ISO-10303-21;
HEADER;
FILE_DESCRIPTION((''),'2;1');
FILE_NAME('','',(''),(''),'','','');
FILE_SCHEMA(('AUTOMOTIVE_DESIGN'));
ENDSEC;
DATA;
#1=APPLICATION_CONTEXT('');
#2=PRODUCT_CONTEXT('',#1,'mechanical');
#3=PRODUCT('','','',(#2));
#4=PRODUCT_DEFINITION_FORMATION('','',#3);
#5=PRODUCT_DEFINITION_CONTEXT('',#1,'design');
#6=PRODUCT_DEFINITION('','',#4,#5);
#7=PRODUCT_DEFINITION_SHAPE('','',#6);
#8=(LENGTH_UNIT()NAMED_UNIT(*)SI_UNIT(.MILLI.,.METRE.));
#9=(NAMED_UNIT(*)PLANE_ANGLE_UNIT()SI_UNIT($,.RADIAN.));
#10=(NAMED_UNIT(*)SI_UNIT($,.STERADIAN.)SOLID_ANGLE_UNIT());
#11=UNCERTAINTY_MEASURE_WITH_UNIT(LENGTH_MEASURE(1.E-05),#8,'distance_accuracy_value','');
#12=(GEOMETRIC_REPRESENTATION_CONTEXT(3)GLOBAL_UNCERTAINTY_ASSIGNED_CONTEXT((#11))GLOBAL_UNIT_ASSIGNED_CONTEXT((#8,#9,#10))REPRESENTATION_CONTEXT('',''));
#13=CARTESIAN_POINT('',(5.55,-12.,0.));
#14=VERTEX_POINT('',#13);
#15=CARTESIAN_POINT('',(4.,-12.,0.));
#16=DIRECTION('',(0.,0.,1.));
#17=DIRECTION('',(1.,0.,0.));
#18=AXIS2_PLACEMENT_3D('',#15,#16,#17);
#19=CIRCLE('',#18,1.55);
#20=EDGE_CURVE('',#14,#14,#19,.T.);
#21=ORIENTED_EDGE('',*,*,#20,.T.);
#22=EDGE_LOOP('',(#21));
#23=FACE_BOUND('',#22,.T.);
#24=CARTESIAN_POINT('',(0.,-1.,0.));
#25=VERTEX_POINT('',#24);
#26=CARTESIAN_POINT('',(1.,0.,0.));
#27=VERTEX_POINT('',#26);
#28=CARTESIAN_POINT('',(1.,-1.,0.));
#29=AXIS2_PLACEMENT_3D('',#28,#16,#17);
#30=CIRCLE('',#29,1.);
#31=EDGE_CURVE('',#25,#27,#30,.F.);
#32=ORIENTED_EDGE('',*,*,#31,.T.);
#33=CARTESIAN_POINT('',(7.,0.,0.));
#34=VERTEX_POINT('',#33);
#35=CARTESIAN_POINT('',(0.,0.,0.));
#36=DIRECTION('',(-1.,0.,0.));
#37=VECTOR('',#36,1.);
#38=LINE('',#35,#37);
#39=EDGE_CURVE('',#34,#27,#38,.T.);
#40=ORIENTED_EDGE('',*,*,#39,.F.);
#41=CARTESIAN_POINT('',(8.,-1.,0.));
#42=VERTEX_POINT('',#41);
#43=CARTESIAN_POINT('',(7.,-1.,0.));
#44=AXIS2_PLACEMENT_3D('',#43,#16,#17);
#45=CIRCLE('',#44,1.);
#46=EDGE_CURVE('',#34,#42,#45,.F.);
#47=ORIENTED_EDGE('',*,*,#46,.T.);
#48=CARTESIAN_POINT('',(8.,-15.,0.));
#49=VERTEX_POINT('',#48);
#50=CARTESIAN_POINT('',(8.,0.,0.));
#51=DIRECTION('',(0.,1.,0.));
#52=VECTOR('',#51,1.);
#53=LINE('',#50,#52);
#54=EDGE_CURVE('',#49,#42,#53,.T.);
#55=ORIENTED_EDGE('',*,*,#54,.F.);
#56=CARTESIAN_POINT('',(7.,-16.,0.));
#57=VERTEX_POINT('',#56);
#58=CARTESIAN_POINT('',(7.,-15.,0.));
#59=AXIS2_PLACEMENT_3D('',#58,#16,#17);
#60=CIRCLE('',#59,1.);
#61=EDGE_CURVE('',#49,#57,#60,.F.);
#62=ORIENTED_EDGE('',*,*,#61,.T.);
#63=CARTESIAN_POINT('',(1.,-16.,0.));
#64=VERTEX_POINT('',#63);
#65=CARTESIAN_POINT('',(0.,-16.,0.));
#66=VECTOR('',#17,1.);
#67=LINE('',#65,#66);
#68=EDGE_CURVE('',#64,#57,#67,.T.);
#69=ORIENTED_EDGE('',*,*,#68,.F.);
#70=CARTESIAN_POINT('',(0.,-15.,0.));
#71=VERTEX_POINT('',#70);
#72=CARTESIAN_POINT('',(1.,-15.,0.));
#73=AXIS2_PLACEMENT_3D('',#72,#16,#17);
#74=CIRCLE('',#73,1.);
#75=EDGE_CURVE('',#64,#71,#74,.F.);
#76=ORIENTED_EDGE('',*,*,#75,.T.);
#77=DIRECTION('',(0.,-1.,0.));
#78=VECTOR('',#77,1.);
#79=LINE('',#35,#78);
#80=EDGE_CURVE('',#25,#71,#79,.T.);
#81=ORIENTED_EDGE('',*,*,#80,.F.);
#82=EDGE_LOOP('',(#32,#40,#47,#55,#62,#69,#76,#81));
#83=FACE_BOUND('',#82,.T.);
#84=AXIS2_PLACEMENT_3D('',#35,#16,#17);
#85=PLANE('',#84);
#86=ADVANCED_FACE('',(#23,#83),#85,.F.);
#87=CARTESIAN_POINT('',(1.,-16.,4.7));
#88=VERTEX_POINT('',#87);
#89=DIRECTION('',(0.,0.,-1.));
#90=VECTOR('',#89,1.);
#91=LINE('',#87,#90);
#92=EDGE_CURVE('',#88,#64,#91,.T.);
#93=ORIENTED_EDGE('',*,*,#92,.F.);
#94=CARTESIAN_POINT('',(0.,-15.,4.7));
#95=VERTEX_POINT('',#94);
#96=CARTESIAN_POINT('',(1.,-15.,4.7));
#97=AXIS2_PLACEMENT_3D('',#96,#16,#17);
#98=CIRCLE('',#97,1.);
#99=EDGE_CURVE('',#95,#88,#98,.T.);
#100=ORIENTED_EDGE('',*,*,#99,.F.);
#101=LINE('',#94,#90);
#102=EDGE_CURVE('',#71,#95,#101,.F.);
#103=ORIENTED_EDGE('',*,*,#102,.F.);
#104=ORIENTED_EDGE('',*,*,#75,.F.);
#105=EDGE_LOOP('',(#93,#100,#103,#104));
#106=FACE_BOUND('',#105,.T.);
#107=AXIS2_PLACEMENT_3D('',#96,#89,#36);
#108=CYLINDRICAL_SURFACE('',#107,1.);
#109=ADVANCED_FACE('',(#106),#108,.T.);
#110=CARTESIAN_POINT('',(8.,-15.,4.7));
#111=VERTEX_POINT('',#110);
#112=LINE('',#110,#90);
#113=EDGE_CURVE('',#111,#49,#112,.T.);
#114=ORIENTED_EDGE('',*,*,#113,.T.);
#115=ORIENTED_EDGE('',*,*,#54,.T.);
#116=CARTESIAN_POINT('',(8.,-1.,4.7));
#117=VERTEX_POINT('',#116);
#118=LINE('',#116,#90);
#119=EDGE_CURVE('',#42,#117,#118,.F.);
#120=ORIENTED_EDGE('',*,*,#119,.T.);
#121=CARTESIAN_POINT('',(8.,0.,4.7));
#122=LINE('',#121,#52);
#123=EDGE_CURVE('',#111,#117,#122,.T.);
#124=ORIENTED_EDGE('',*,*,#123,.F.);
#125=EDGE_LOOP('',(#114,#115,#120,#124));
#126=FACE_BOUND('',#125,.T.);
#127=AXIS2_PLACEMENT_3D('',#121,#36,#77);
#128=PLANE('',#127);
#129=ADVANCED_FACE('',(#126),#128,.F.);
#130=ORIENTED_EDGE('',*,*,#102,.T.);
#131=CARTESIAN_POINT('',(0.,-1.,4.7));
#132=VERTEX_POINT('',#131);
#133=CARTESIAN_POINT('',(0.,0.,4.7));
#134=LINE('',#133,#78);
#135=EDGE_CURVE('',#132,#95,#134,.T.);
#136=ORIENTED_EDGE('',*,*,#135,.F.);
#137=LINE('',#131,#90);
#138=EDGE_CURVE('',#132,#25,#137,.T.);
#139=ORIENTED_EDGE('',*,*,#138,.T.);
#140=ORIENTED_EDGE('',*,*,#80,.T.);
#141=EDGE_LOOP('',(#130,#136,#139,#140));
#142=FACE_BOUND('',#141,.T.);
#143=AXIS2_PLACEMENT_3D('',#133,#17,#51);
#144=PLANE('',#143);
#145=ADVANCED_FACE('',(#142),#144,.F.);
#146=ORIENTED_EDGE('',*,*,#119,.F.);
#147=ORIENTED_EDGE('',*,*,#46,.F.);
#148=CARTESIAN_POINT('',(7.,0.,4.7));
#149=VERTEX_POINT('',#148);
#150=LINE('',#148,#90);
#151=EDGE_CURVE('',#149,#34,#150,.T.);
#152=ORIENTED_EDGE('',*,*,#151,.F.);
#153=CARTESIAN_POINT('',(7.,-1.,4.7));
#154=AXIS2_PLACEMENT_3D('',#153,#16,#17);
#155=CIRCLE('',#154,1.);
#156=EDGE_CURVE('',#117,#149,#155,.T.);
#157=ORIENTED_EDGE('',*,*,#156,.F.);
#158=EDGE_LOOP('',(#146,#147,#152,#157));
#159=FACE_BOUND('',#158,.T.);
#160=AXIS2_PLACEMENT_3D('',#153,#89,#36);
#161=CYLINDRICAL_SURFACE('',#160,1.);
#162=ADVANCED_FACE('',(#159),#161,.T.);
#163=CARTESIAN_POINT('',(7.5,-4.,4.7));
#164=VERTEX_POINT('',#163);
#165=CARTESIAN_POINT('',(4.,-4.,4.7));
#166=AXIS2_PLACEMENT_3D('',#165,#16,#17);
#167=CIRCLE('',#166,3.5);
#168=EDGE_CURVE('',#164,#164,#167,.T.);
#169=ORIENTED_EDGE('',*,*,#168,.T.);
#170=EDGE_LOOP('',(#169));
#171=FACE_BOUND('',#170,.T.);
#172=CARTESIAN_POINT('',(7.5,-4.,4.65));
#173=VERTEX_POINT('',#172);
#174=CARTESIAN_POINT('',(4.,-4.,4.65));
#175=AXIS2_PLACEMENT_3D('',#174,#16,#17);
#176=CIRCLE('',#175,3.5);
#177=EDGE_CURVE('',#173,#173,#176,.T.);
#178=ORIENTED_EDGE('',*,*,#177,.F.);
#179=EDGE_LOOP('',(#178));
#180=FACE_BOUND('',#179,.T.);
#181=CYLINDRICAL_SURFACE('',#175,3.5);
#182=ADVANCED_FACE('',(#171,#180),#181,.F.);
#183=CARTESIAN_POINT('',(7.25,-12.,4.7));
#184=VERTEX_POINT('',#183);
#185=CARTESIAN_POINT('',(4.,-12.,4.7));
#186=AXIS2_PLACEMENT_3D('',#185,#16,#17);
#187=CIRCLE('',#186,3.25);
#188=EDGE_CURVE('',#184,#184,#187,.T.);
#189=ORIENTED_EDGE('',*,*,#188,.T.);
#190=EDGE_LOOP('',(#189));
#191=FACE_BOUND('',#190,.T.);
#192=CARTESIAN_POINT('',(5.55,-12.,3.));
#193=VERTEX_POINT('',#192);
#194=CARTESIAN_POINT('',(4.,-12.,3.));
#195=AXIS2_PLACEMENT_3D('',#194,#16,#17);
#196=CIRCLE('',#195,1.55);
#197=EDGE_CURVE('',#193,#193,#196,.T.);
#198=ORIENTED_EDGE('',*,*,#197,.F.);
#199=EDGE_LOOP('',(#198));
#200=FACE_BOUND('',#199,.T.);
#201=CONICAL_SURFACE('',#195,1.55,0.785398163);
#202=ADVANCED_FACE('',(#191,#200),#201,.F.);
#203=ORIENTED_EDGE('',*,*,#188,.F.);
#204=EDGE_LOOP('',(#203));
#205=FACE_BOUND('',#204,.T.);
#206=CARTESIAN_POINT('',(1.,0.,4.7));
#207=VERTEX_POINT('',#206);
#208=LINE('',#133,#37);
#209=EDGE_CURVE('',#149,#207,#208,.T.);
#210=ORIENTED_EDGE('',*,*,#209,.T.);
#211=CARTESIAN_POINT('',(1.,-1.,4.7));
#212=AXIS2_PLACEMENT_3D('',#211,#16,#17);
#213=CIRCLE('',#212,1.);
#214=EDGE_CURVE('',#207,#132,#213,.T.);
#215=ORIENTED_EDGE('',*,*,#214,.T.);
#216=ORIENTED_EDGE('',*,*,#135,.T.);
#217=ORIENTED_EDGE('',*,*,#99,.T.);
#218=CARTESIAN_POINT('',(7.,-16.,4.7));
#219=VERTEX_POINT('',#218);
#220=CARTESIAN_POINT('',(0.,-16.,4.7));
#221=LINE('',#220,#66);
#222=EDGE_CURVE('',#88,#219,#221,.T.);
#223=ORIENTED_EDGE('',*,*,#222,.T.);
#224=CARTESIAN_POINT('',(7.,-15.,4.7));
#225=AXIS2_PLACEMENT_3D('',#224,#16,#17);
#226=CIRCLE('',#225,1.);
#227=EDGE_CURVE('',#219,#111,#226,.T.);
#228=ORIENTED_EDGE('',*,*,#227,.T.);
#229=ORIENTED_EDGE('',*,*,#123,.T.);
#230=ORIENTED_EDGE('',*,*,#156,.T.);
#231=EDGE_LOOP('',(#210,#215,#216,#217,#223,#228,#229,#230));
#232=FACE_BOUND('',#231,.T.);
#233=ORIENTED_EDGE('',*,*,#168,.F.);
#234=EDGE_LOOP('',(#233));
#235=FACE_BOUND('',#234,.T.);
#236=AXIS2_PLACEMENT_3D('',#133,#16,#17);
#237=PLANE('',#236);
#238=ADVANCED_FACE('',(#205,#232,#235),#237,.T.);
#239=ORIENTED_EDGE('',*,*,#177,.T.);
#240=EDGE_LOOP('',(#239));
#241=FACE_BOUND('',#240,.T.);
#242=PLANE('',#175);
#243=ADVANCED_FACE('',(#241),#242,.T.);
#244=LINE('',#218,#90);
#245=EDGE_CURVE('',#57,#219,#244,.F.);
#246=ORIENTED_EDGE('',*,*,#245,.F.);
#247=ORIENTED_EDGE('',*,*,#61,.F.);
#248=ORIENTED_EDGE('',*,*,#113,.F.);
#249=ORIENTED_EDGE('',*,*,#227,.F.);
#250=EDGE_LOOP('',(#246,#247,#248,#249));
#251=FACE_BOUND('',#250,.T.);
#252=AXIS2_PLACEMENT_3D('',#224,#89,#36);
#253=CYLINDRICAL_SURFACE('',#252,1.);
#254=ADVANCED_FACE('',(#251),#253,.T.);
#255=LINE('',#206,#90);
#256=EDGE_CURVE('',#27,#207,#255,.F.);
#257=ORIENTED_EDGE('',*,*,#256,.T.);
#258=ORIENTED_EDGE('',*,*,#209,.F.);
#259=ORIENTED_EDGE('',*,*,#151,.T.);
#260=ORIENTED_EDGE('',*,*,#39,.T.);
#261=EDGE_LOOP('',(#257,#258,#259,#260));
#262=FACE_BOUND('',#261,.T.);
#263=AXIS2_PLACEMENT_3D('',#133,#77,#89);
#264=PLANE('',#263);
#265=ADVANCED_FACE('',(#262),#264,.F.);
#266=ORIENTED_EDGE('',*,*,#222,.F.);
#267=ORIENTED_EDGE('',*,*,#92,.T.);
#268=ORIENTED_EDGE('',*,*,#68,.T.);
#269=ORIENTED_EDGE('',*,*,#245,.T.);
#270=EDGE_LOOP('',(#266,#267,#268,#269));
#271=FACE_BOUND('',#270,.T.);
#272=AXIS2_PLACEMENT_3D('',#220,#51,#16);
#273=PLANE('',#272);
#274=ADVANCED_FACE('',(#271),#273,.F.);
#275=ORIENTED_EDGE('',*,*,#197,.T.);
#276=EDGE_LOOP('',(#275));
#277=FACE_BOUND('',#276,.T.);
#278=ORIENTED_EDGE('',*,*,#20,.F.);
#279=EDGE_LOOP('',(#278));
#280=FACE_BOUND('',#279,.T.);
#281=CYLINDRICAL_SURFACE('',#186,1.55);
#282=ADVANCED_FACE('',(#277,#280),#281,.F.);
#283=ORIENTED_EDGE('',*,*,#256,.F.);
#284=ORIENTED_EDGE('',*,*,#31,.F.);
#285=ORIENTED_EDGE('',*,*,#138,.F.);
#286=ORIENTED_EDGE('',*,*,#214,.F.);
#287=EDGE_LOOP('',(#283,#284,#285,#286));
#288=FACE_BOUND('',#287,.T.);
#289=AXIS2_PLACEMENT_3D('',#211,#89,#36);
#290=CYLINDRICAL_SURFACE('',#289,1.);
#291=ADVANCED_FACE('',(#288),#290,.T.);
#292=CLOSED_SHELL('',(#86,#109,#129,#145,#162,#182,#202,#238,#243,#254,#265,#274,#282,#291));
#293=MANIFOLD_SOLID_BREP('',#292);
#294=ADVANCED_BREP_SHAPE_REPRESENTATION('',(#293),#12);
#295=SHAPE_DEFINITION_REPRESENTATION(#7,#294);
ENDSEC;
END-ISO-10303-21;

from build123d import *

# Parameters (mm, degrees)
SKIZZE1_W                       = 8
SKIZZE1_H                       = 16
AUFSATZ_LINEAR_AUSTRAGEN1_DEPTH = 4.7
VERRUNDUNG1_R                   = 1
SKIZZE2_R                       = 3.5
SCHNITT_LINEAR_AUSTRAGEN1_DEPTH = 0.05


with BuildPart() as part:
    # Skizze1 → Aufsatz-Linear austragen1 (new body)
    with BuildSketch(Plane.XY):
        with Locations((4, -8)):
            Rectangle(SKIZZE1_W, SKIZZE1_H)
    extrude(amount=AUFSATZ_LINEAR_AUSTRAGEN1_DEPTH)

    # Verrundung1
    verrundung1_edges = [part.edges().sort_by_distance(p)[0] for p in [
        (0, 0, 2.35),
        (8, 0, 2.35),
        (8, -16, 2.35),
        (0, -16, 2.35),
    ]]
    fillet(verrundung1_edges, radius=VERRUNDUNG1_R)

    # Skizze2 → Schnitt-Linear austragen1 (cut)
    with BuildSketch(Plane.XY.offset(4.7)):
        with Locations((4, -4)):
            Circle(SKIZZE2_R)
    extrude(amount=-SCHNITT_LINEAR_AUSTRAGEN1_DEPTH, mode=Mode.SUBTRACT)

    # Skizze3 → Schnitt-Rotation1 (revolve, cut)
    with BuildSketch(Plane(origin=(4, 0, 0), x_dir=(0, 0, -1), z_dir=(1, 0, 0))):
        Polygon((-4.7, -8.75), (-3, -10.45), (0, -10.45), (0, -12), (-4.7, -12), align=None)
    revolve(axis=Axis((4, -12, 4.7), (0, 0, -1)), mode=Mode.SUBTRACT)


solid = part.part
